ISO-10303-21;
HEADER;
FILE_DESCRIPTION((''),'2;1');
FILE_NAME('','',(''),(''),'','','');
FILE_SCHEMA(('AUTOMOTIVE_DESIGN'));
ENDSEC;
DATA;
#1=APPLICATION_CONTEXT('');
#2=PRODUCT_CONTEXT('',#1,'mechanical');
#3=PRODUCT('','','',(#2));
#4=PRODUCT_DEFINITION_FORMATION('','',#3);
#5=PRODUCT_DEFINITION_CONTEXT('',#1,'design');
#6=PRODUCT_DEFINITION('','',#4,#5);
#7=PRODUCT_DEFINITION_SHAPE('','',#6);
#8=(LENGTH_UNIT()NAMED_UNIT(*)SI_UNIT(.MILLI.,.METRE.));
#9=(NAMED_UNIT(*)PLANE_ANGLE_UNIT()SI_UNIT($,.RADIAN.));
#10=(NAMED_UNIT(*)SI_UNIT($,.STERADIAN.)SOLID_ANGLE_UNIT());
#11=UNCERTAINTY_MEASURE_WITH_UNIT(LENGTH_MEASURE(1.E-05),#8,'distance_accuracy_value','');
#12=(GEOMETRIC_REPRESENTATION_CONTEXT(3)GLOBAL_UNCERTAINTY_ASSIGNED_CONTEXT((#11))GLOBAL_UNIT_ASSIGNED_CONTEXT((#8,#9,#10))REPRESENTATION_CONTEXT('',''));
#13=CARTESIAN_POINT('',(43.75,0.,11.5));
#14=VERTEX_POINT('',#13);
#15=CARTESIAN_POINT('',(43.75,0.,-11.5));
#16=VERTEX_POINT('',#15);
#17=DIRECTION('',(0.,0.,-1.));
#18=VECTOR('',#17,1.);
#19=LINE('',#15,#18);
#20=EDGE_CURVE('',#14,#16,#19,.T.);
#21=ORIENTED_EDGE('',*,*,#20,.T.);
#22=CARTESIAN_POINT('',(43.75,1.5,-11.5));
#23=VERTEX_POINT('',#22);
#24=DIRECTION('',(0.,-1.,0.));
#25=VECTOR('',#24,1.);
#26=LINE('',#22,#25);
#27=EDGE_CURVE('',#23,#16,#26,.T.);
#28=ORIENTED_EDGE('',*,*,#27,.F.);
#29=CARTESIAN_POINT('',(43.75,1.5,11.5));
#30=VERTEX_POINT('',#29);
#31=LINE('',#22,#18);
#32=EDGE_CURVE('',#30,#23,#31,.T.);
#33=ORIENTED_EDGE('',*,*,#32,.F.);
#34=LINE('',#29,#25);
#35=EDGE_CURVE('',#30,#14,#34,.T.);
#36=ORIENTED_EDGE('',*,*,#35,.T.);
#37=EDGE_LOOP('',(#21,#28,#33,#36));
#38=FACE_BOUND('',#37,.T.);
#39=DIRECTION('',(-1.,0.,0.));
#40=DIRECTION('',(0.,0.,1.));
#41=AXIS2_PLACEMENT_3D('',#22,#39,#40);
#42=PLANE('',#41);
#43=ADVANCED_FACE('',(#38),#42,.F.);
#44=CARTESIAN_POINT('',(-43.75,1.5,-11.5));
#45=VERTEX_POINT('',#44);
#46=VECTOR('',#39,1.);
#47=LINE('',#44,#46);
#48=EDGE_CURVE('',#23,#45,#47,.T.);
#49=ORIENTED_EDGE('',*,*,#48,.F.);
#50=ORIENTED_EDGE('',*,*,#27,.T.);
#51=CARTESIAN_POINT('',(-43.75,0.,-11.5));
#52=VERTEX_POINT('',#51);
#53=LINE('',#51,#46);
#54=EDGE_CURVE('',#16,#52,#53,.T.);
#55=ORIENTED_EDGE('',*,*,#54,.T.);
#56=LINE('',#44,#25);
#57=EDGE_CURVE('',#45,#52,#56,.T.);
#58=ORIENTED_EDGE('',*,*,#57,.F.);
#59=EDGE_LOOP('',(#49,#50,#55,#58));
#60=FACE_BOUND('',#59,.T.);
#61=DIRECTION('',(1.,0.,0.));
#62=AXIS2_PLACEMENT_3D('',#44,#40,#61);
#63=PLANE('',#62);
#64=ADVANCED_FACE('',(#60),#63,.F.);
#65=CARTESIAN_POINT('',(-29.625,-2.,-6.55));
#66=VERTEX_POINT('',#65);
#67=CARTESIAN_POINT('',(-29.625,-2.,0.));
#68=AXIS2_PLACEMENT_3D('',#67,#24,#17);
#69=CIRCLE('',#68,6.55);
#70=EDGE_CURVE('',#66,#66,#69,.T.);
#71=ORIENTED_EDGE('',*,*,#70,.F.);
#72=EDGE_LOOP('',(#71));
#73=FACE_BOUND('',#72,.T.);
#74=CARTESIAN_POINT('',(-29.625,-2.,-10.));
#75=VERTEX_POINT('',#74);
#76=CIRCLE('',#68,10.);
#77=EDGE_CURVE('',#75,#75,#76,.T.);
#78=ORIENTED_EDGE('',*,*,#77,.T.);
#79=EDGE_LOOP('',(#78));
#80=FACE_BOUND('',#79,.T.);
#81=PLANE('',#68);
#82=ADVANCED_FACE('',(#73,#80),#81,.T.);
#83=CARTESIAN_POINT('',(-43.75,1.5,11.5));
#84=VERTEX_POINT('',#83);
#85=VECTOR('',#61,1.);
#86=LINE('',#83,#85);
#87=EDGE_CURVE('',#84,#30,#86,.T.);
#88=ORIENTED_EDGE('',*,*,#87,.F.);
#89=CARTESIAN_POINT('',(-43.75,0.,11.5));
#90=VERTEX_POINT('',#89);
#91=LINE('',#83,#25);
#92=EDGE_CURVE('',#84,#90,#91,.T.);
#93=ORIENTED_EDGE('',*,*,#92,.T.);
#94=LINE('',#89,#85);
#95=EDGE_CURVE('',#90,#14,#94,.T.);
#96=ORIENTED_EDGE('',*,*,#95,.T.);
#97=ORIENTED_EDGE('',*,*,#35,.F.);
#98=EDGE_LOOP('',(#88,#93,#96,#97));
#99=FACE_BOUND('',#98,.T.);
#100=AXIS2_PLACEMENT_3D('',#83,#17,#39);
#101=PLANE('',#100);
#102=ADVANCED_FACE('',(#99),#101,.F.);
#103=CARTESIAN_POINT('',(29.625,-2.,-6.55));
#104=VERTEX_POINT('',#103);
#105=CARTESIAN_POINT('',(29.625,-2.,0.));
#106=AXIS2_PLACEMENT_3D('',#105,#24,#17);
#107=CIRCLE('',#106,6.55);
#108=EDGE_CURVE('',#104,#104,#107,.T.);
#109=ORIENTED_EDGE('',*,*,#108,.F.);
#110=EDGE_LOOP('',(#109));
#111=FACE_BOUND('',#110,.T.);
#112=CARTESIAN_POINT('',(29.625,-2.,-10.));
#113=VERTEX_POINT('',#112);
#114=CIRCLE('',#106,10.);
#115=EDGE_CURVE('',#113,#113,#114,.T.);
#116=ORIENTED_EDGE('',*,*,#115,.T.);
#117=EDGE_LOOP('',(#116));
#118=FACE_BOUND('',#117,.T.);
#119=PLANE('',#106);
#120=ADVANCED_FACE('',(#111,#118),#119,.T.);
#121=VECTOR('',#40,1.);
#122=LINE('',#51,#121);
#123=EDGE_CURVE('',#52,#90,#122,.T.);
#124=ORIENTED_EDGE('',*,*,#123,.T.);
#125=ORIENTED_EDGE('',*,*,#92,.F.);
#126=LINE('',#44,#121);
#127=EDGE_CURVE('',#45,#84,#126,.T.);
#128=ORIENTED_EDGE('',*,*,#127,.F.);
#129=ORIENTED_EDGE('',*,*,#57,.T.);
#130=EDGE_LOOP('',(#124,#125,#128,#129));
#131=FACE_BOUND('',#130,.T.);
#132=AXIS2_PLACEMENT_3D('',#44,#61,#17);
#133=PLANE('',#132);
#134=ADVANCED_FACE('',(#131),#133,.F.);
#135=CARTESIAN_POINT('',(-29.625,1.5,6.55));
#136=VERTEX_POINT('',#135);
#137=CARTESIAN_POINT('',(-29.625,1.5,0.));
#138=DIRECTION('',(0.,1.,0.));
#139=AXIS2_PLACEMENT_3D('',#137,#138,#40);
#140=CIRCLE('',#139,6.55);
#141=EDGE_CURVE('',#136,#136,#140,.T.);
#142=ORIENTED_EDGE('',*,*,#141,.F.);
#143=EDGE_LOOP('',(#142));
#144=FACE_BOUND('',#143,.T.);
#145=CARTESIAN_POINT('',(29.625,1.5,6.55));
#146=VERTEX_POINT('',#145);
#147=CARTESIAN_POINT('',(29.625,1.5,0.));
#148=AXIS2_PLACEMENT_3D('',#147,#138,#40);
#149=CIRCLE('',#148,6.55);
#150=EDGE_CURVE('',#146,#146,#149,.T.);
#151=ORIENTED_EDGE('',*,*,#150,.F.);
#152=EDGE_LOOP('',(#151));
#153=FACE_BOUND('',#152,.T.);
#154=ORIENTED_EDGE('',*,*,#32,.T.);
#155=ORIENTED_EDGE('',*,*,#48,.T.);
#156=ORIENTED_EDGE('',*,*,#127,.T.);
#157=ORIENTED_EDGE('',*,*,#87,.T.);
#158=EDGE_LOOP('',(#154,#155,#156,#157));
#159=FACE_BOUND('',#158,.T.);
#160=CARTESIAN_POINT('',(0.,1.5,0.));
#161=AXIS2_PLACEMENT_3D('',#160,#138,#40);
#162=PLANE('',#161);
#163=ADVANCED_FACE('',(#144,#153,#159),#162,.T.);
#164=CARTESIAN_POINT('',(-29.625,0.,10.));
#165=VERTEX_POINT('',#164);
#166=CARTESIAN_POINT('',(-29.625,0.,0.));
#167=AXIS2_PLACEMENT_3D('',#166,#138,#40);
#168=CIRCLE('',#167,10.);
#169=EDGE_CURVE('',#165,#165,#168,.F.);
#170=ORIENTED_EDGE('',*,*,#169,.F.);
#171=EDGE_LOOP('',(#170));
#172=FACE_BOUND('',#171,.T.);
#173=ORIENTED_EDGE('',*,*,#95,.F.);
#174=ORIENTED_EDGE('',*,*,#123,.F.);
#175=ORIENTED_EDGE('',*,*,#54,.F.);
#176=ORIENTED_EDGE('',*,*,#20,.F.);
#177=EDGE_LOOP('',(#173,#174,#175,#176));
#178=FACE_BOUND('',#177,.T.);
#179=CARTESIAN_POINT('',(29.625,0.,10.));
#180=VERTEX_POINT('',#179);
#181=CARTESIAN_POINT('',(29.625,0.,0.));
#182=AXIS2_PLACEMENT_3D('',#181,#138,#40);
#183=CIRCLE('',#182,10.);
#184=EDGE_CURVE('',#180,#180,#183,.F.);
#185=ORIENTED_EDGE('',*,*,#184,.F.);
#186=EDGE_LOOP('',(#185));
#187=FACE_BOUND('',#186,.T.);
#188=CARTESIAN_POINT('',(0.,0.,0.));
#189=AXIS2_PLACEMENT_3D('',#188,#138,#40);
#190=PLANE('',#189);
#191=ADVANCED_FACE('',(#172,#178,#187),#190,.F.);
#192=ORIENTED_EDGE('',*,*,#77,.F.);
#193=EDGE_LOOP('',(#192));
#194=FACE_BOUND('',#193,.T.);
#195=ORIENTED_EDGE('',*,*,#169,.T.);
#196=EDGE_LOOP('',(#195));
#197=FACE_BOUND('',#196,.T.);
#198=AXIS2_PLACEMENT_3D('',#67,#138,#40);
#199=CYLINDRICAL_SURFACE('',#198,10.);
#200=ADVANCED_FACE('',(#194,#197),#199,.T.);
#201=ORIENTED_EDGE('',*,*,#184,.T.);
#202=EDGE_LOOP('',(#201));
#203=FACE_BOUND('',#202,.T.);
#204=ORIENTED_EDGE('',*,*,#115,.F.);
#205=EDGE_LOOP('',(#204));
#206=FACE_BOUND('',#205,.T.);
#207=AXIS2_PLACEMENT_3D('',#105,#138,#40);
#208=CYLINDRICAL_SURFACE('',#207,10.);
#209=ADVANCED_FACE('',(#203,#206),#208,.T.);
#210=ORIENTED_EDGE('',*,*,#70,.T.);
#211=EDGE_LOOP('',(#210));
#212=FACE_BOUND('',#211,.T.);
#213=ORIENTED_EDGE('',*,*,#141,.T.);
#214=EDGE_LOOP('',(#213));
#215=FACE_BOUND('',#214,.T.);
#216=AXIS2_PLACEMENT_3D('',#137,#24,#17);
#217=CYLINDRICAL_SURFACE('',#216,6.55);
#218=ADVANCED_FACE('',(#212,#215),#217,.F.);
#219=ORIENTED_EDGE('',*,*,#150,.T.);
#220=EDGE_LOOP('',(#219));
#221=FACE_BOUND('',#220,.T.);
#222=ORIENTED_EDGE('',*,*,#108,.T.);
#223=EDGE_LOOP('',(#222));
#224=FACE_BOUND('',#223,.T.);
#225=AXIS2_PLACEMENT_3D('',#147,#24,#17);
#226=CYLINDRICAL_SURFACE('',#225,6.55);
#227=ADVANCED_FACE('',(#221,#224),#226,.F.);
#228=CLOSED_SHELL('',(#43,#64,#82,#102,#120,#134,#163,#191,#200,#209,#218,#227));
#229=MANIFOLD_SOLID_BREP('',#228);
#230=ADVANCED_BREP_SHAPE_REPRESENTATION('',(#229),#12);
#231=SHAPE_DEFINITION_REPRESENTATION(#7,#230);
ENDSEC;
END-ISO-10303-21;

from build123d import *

# Parameters (mm, degrees)
SKETCH1_W           = 87.5
SKETCH1_H           = 23
SKETCH1_R           = 6.55
BOSS_EXTRUDE1_DEPTH = 1.5
BOSS_EXTRUDE2_START = 2
SKETCH2_R           = 10
SKETCH2_R_2         = 6.55
BOSS_EXTRUDE2_DEPTH = 2


with BuildPart() as part:
    # Sketch1 → Boss-Extrude1 (new body)
    with BuildSketch(Plane(origin=(0, 0, 0), x_dir=(1, 0, 0), z_dir=(0, 1, 0))):
        Rectangle(SKETCH1_W, SKETCH1_H)
        with Locations((-29.625, 0)):
            Circle(SKETCH1_R, mode=Mode.SUBTRACT)
        with Locations((29.625, 0)):
            Circle(SKETCH1_R, mode=Mode.SUBTRACT)
    extrude(amount=BOSS_EXTRUDE1_DEPTH)

    # Sketch2 → Boss-Extrude2 (add)
    # profile 1 of 2: a face of its own
    with BuildSketch(Plane.XZ.offset(BOSS_EXTRUDE2_START)):
        with Locations((-29.625, 0)):
            Circle(SKETCH2_R)
        with Locations((-29.625, 0)):
            Circle(SKETCH2_R_2, mode=Mode.SUBTRACT)
    # profile 2 of 2: a face of its own
    with BuildSketch(Plane.XZ.offset(BOSS_EXTRUDE2_START)):
        with Locations((29.625, 0)):
            Circle(SKETCH2_R)
        with Locations((29.625, 0)):
            Circle(SKETCH2_R_2, mode=Mode.SUBTRACT)
    extrude(amount=-BOSS_EXTRUDE2_DEPTH)


solid = part.part
